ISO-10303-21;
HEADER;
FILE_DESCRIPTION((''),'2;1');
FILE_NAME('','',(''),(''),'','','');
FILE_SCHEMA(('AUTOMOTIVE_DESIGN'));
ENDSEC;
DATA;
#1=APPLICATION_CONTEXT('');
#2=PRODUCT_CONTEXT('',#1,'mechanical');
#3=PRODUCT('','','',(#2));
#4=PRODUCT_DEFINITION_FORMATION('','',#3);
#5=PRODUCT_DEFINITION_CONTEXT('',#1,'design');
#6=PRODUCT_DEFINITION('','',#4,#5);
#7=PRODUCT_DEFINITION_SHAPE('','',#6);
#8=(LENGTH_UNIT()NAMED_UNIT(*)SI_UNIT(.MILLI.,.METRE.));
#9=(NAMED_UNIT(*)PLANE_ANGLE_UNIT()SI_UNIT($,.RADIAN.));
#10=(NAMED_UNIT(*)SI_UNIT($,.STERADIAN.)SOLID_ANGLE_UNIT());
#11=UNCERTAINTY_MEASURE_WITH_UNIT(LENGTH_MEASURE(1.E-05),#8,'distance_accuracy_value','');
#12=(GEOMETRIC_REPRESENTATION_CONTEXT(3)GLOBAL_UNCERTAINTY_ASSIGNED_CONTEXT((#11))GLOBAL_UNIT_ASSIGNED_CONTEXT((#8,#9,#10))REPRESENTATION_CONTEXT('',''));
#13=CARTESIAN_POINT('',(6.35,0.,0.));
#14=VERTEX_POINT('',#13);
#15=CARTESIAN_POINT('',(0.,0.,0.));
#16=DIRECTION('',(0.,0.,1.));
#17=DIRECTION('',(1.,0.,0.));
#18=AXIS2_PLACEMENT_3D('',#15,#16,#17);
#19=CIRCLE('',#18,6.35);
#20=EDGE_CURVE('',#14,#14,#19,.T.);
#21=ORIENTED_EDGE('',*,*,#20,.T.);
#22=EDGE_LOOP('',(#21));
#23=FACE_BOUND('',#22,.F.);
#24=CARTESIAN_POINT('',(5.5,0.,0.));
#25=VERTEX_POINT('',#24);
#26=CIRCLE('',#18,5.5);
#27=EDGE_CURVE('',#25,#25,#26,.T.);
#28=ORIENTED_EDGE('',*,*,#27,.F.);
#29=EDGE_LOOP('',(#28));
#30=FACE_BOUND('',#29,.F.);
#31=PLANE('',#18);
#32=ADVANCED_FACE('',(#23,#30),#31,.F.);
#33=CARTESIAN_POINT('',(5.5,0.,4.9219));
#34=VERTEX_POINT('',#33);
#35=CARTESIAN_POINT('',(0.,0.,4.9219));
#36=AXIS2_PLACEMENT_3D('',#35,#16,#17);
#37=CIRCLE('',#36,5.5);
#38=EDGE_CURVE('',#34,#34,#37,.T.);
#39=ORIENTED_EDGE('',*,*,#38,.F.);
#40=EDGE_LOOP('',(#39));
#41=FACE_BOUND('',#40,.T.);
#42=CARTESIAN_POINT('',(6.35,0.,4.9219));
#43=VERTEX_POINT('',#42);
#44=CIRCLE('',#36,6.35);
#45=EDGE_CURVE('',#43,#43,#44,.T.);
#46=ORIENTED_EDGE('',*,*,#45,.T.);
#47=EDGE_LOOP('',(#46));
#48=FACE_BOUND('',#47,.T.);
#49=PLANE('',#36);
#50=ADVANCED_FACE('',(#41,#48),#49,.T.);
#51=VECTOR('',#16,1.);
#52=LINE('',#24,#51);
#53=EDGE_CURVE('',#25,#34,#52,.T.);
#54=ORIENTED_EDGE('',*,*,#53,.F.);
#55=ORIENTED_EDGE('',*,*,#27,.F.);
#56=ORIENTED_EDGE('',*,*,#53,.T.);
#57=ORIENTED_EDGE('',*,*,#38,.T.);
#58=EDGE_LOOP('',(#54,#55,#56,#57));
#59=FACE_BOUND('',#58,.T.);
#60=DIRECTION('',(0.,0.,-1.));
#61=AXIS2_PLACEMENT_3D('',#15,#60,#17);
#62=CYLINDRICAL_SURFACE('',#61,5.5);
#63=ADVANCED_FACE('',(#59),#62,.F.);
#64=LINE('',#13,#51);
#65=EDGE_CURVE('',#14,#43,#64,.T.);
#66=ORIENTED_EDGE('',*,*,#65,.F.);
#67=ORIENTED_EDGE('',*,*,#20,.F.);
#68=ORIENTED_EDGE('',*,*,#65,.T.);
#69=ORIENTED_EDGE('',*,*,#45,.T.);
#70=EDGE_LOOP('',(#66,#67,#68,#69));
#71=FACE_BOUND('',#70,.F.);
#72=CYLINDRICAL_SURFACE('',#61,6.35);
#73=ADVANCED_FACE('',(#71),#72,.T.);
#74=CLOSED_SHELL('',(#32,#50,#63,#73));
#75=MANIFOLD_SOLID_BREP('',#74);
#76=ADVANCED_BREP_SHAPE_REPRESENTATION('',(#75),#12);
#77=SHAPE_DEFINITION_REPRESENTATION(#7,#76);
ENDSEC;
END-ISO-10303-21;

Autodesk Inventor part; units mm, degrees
ref_plane "YZ Plane" through (0, 0, 0) normal (1, 0, 0) x (0, 1, 0)
ref_plane "XZ Plane" through (0, 0, 0) normal (0, 1, 0) x (-1, 0, 0)
ref_plane "XY Plane" through (0, 0, 0) normal (0, 0, 1) x (1, 0, 0)
sketch "Sketch1" plane through (0, 0, 0) normal (0, 0, 1) x (1, 0, 0)
  circle A0 centre (0, 0) radius 5.5
  circle A1 centre (0, 0) radius 6.35
  dimension "d0" = 11
  dimension "d1" = 12.7
extrude "Extrusion1" add sketch "Sketch1" along normal blind 4.9219
properties part number "Module Top Axle Thrust Bearing Bushing" material "Brass, Soft Yellow"
